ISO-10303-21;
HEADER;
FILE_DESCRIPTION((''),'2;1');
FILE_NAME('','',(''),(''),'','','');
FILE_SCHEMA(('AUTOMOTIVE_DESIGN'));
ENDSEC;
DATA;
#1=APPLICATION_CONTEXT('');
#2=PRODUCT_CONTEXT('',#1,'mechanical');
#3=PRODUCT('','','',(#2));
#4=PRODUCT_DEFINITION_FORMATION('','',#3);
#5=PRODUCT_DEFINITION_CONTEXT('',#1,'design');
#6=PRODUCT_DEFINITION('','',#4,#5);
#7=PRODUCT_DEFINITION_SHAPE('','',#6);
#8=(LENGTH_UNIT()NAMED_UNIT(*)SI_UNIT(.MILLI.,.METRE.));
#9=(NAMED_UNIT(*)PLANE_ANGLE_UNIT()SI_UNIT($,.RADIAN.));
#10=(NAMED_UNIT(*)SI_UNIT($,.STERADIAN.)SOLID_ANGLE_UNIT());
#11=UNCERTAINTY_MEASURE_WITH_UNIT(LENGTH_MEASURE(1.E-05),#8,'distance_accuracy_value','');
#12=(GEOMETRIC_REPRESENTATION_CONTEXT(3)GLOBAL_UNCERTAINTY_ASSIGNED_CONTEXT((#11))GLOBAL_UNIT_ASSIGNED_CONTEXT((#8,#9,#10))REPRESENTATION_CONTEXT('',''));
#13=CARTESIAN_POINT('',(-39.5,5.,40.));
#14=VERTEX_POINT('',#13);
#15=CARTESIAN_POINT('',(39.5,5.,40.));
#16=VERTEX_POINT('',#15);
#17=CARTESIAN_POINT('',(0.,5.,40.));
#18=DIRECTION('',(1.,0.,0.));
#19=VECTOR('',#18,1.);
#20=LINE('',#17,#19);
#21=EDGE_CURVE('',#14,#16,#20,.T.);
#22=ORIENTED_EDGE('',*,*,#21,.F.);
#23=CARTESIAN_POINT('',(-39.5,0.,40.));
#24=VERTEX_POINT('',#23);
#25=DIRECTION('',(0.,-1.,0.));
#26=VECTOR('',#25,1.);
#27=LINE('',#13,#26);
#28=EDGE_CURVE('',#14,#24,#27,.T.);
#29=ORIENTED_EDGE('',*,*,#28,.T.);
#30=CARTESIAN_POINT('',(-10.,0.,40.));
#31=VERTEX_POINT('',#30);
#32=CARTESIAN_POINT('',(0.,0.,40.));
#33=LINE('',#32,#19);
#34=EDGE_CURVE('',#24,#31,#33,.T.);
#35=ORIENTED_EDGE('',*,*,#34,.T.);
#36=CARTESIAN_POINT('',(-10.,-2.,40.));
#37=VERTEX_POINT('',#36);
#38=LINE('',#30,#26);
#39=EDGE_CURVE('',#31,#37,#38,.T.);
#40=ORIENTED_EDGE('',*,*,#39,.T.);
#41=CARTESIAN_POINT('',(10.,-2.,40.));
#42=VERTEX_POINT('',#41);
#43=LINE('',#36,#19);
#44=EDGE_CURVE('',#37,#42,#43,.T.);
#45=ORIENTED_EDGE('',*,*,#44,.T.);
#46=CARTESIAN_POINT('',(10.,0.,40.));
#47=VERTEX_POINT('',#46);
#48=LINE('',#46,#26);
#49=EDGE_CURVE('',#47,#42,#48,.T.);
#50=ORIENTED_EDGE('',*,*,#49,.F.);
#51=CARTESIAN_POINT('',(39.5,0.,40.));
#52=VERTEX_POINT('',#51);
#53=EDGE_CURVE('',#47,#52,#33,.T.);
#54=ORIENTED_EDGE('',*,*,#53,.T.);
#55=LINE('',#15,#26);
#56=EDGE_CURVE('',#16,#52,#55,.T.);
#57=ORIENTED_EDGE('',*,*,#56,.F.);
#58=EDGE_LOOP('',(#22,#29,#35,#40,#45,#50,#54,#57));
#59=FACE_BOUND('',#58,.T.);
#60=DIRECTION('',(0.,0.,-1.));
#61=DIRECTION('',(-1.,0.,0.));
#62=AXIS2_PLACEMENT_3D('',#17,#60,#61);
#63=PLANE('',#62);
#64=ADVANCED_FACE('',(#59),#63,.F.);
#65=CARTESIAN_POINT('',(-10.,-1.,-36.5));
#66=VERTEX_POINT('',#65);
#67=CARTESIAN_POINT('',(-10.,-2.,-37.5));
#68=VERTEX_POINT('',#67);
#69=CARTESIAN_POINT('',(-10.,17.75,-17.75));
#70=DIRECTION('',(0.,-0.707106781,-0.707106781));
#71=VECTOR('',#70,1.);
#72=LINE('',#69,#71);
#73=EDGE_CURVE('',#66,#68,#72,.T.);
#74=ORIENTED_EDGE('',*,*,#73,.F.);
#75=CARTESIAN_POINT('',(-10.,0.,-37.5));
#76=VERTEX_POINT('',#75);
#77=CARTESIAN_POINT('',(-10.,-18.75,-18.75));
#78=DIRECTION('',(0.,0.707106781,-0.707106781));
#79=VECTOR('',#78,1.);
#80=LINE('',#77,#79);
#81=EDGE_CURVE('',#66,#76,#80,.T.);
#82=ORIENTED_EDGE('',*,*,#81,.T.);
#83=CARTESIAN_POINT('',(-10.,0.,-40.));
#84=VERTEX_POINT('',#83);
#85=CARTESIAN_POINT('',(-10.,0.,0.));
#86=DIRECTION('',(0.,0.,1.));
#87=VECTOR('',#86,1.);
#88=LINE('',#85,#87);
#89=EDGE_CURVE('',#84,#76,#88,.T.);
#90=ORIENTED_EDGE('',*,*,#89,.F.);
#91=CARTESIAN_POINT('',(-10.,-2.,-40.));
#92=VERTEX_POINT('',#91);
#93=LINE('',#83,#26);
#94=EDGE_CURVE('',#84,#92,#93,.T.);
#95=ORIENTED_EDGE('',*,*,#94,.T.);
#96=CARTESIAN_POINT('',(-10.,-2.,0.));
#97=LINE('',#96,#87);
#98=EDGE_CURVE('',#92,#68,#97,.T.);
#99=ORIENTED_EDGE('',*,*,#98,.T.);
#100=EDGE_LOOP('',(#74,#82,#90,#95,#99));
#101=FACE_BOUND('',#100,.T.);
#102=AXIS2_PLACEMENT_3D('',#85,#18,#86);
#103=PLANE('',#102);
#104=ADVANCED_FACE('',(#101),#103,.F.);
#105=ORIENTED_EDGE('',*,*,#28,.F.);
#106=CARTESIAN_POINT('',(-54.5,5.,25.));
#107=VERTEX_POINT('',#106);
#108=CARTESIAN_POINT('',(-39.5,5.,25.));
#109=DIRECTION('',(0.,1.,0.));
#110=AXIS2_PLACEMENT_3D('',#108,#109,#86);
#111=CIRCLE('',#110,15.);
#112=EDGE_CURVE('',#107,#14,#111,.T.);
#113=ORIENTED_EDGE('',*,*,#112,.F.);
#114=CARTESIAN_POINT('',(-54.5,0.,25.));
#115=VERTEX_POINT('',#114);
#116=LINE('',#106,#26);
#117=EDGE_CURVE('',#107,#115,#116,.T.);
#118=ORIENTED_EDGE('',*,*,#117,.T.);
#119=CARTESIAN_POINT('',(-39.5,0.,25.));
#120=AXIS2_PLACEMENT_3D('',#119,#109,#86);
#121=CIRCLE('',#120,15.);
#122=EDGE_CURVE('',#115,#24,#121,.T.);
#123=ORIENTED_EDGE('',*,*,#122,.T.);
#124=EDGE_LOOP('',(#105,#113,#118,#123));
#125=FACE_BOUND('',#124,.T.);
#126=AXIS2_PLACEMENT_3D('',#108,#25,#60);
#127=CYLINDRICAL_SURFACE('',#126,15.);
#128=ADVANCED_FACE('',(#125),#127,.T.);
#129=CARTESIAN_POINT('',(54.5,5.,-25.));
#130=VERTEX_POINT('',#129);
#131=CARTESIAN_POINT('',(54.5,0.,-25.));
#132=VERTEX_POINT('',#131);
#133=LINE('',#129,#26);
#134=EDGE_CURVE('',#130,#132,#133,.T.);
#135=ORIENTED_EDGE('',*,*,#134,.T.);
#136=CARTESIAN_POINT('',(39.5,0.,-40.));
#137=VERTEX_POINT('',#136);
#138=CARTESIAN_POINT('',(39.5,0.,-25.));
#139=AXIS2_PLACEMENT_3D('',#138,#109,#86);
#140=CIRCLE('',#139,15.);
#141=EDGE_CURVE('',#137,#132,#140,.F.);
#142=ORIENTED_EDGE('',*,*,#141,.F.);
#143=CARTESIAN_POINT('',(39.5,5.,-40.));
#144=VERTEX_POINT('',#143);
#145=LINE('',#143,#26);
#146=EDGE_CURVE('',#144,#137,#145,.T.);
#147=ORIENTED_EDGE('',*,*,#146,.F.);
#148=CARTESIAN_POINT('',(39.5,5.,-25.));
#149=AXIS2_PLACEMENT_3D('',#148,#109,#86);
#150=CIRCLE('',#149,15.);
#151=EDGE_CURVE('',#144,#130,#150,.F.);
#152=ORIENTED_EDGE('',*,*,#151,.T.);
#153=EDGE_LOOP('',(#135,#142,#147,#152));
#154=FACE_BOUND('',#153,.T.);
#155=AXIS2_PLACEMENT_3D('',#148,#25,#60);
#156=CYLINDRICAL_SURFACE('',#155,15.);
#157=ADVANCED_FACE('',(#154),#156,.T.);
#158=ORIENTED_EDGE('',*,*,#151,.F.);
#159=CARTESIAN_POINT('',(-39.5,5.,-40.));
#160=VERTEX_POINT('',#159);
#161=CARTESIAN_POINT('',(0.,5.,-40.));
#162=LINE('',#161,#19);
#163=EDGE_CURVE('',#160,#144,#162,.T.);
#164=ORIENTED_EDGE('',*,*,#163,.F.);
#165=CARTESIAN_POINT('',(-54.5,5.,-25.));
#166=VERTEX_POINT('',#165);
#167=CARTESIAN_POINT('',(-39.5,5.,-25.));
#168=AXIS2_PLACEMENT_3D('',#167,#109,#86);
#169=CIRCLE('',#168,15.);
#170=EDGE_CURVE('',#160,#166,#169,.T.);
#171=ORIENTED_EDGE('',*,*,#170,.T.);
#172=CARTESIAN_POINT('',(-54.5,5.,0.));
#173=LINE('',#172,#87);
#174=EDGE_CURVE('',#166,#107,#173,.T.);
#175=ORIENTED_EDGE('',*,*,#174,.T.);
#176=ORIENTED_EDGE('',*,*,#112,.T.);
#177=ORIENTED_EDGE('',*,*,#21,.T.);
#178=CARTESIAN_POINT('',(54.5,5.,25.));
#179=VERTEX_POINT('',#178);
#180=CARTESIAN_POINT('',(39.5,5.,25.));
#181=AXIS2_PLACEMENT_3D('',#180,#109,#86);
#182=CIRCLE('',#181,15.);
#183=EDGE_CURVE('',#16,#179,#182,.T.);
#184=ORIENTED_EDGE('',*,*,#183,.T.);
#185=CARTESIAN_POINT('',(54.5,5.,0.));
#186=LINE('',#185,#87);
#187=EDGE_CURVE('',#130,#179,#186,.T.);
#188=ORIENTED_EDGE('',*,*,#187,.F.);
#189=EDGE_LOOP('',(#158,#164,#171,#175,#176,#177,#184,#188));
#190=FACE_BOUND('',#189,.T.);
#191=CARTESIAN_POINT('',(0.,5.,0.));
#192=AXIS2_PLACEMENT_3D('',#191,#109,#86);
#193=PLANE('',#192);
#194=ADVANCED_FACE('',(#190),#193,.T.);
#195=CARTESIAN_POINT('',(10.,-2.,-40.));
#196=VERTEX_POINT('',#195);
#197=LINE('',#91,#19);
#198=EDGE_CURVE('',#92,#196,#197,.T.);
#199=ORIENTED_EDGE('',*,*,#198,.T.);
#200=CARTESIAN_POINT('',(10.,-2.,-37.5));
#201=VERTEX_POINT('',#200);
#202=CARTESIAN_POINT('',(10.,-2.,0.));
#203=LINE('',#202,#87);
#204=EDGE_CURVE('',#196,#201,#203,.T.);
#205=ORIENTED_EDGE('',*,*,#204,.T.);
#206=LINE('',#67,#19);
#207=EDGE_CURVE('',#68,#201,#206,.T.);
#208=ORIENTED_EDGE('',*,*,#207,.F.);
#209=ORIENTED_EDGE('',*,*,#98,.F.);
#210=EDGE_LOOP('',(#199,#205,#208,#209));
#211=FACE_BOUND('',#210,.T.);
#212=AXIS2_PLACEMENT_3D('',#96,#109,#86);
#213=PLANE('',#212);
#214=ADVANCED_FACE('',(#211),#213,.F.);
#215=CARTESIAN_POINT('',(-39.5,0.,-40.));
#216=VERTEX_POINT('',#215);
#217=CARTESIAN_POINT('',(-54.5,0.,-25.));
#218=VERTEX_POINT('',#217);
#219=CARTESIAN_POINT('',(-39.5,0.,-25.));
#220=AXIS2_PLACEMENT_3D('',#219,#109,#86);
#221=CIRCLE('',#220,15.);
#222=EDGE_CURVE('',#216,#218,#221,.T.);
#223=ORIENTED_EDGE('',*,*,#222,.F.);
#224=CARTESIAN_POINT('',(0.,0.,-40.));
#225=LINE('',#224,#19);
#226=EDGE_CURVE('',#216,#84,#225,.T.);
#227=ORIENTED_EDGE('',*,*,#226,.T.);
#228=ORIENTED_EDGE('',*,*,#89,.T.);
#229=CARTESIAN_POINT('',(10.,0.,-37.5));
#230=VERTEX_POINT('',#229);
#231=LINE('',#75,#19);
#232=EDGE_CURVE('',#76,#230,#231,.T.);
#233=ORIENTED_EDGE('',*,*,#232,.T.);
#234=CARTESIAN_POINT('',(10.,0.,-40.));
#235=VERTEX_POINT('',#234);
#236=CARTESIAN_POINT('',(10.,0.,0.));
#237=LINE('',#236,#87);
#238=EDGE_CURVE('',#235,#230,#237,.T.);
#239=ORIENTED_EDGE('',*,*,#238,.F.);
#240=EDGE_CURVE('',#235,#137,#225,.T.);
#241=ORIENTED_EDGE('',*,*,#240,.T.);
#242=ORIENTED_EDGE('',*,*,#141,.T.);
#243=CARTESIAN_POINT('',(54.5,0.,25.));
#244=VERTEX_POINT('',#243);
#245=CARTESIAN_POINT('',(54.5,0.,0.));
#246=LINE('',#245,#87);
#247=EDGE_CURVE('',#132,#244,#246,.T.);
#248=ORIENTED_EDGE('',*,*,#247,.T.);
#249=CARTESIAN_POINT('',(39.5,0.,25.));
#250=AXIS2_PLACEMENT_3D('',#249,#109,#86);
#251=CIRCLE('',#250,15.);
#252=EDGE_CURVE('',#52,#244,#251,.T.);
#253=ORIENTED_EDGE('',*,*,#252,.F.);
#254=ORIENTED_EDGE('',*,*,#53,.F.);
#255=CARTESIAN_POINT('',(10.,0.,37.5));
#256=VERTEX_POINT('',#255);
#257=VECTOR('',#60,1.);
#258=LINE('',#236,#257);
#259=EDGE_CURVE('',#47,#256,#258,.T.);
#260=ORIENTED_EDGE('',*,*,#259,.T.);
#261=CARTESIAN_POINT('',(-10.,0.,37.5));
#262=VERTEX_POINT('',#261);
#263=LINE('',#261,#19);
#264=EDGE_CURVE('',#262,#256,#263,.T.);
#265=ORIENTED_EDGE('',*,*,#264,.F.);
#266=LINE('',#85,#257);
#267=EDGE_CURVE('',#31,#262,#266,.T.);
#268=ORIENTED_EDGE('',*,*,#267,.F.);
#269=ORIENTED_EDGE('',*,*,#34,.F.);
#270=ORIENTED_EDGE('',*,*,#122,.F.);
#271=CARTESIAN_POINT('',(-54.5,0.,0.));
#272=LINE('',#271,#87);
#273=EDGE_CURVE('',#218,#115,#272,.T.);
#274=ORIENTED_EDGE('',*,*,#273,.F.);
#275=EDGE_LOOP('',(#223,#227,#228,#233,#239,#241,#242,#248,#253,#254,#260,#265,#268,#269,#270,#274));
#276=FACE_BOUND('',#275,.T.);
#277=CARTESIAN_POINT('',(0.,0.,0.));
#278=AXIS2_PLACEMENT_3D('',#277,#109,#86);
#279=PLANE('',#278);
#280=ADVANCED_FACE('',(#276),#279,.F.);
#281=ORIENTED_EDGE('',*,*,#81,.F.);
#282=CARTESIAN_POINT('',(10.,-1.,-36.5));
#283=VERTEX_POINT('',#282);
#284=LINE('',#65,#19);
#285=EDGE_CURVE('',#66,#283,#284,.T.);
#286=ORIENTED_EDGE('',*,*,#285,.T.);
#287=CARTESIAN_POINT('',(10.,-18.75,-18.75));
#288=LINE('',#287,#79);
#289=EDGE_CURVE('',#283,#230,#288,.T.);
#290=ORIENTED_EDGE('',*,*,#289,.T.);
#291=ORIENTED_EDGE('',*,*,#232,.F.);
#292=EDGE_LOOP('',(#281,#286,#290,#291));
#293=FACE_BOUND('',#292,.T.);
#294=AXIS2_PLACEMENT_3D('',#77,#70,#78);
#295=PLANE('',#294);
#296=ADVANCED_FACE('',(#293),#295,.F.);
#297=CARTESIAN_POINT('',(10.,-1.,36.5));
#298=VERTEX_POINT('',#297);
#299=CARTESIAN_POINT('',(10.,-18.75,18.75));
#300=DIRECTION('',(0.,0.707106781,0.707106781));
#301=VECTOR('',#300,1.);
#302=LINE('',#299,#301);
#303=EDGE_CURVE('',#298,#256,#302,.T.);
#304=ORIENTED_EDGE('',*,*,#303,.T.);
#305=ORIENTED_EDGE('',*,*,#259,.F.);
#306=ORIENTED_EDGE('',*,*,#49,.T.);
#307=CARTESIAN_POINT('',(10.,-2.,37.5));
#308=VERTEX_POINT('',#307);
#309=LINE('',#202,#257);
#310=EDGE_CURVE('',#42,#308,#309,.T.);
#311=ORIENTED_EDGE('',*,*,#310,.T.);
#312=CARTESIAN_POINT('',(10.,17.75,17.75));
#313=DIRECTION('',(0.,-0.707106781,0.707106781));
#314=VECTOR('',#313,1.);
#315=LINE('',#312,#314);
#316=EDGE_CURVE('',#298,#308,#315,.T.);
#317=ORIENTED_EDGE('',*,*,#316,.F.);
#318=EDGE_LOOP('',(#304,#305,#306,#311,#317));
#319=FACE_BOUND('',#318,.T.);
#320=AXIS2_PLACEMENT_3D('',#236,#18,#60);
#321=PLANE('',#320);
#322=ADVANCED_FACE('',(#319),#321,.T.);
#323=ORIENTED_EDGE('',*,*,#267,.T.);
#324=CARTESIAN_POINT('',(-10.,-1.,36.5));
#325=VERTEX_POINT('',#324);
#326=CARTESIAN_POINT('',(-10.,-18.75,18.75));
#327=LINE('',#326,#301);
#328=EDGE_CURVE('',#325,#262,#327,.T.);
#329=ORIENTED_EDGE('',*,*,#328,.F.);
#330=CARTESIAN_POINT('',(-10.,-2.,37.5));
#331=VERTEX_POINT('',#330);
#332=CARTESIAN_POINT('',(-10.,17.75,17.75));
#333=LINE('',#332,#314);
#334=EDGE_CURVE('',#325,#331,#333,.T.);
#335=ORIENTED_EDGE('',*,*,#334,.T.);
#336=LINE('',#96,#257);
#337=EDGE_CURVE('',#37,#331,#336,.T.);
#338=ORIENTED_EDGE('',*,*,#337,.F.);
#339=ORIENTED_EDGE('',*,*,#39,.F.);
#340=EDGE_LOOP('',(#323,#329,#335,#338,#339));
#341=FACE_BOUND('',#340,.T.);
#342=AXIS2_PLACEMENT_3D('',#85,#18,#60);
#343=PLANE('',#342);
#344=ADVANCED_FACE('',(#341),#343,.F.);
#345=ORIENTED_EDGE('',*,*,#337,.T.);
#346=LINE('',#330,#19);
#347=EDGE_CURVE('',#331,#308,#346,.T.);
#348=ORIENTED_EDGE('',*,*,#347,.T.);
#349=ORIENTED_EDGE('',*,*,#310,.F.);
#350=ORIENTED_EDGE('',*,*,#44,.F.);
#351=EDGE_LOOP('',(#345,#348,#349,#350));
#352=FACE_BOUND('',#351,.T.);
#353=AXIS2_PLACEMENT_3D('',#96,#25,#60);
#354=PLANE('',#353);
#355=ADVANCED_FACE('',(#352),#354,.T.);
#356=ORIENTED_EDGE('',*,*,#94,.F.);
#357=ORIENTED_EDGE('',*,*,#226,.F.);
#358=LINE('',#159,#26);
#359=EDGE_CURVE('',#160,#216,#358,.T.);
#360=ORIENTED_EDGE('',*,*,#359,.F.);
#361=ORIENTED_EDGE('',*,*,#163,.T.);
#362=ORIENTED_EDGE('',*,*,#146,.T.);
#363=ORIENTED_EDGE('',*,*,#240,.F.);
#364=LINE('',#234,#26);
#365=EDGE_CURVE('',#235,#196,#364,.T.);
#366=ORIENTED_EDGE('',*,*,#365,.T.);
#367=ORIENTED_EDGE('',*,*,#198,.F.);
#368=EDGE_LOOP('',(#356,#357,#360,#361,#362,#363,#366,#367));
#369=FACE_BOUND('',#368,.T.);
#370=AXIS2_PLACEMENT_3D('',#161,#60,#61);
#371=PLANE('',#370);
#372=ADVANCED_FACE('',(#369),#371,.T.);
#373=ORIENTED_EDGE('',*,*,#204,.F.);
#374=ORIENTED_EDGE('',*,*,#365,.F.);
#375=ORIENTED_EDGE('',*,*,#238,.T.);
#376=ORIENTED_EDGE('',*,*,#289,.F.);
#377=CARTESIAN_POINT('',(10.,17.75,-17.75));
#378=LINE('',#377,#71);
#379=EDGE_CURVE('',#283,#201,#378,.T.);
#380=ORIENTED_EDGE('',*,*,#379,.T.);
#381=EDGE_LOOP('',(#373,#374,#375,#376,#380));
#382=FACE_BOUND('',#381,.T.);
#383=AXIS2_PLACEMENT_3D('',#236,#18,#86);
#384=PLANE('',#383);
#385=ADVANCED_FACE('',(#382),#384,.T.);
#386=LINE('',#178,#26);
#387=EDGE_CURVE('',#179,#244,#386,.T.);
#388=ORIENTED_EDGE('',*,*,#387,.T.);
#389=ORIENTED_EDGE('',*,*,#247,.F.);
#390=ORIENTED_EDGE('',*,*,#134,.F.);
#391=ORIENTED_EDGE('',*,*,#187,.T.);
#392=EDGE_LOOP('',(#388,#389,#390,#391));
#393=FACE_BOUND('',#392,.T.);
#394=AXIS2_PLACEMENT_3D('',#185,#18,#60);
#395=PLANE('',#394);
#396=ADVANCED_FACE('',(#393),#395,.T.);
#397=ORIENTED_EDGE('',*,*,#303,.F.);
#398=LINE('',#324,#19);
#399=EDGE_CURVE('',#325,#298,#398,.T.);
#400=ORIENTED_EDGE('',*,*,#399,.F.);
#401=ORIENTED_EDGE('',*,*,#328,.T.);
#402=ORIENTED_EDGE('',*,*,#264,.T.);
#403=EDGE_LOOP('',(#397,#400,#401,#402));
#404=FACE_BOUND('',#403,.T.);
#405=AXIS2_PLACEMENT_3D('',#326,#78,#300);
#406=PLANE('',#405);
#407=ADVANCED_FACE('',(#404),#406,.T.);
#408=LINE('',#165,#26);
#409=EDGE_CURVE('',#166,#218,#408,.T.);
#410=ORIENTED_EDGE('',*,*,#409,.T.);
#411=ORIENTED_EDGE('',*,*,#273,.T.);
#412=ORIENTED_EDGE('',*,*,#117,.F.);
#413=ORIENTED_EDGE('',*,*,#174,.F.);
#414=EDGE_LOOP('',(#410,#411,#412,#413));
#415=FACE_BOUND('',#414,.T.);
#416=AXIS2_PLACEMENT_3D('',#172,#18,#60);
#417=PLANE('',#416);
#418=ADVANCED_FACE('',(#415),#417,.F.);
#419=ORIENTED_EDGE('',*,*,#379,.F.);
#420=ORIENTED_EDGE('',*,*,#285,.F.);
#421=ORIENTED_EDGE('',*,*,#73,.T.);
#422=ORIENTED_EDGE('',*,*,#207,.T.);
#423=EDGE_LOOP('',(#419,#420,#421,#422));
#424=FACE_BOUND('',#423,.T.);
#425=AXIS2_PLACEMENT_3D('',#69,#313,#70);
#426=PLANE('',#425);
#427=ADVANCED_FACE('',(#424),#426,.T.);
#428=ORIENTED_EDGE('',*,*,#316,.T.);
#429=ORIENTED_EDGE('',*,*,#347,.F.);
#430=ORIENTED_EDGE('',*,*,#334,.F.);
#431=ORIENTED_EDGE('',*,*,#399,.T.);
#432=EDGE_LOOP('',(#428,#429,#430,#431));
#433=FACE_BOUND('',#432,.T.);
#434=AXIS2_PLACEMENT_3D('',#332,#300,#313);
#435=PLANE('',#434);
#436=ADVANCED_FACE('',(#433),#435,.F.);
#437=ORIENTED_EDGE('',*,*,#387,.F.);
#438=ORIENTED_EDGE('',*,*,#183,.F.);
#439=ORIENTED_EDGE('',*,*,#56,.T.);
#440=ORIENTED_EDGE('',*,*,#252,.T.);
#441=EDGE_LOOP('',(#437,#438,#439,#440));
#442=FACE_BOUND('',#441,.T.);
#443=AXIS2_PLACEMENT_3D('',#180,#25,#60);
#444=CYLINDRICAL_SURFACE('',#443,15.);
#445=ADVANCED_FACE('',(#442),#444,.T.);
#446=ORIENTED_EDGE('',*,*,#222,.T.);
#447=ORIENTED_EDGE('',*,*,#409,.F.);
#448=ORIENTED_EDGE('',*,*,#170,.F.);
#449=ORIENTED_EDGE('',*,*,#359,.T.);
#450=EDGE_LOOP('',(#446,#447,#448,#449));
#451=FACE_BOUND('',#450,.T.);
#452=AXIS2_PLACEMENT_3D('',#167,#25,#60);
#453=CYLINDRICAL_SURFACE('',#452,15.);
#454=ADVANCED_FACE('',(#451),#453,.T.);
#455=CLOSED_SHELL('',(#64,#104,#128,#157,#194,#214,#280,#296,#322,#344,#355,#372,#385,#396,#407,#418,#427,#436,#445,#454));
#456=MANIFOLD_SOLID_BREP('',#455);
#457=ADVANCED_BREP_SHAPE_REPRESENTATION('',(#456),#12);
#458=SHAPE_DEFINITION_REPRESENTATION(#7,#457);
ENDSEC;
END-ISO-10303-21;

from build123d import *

# Parameters (mm, degrees)
BOSS_EXTRUDE1_DEPTH = 5
BOSS_EXTRUDE2_DEPTH = 10


with BuildPart() as part:
    # Sketch1 → Boss-Extrude1 (new body)
    with BuildSketch(Plane(origin=(0, 0, 0), x_dir=(1, 0, 0), z_dir=(0, 1, 0))):
        with BuildLine():
            Line((-39.5, 40), (39.5, 40))
            ThreePointArc((39.5, 40), (50.106601718, 35.606601718), (54.5, 25))
            Line((54.5, 25), (54.5, -25))
            ThreePointArc((54.5, -25), (50.106601718, -35.606601718), (39.5, -40))
            Line((39.5, -40), (-39.5, -40))
            ThreePointArc((-39.5, -40), (-50.106601718, -35.606601718), (-54.5, -25))
            Line((-54.5, -25), (-54.5, 25))
            ThreePointArc((-54.5, 25), (-50.106601718, 35.606601718), (-39.5, 40))
        make_face()
    extrude(amount=BOSS_EXTRUDE1_DEPTH)

    # Sketch2 → Boss-Extrude2 (add, symmetric)
    with BuildSketch(Plane(origin=(0, 0, 0), x_dir=(0, 0, -1), z_dir=(1, 0, 0))):
        Polygon((-37.5, 0), (-40, 0), (-40, -2), (-37.5, -2), (-36.5, -1), align=None)
    boss_extrude2 = extrude(amount=BOSS_EXTRUDE2_DEPTH, both=True)

    # Mirror1: Boss-Extrude2 across plane
    add(boss_extrude2.mirror(Plane.XY))


solid = part.part
